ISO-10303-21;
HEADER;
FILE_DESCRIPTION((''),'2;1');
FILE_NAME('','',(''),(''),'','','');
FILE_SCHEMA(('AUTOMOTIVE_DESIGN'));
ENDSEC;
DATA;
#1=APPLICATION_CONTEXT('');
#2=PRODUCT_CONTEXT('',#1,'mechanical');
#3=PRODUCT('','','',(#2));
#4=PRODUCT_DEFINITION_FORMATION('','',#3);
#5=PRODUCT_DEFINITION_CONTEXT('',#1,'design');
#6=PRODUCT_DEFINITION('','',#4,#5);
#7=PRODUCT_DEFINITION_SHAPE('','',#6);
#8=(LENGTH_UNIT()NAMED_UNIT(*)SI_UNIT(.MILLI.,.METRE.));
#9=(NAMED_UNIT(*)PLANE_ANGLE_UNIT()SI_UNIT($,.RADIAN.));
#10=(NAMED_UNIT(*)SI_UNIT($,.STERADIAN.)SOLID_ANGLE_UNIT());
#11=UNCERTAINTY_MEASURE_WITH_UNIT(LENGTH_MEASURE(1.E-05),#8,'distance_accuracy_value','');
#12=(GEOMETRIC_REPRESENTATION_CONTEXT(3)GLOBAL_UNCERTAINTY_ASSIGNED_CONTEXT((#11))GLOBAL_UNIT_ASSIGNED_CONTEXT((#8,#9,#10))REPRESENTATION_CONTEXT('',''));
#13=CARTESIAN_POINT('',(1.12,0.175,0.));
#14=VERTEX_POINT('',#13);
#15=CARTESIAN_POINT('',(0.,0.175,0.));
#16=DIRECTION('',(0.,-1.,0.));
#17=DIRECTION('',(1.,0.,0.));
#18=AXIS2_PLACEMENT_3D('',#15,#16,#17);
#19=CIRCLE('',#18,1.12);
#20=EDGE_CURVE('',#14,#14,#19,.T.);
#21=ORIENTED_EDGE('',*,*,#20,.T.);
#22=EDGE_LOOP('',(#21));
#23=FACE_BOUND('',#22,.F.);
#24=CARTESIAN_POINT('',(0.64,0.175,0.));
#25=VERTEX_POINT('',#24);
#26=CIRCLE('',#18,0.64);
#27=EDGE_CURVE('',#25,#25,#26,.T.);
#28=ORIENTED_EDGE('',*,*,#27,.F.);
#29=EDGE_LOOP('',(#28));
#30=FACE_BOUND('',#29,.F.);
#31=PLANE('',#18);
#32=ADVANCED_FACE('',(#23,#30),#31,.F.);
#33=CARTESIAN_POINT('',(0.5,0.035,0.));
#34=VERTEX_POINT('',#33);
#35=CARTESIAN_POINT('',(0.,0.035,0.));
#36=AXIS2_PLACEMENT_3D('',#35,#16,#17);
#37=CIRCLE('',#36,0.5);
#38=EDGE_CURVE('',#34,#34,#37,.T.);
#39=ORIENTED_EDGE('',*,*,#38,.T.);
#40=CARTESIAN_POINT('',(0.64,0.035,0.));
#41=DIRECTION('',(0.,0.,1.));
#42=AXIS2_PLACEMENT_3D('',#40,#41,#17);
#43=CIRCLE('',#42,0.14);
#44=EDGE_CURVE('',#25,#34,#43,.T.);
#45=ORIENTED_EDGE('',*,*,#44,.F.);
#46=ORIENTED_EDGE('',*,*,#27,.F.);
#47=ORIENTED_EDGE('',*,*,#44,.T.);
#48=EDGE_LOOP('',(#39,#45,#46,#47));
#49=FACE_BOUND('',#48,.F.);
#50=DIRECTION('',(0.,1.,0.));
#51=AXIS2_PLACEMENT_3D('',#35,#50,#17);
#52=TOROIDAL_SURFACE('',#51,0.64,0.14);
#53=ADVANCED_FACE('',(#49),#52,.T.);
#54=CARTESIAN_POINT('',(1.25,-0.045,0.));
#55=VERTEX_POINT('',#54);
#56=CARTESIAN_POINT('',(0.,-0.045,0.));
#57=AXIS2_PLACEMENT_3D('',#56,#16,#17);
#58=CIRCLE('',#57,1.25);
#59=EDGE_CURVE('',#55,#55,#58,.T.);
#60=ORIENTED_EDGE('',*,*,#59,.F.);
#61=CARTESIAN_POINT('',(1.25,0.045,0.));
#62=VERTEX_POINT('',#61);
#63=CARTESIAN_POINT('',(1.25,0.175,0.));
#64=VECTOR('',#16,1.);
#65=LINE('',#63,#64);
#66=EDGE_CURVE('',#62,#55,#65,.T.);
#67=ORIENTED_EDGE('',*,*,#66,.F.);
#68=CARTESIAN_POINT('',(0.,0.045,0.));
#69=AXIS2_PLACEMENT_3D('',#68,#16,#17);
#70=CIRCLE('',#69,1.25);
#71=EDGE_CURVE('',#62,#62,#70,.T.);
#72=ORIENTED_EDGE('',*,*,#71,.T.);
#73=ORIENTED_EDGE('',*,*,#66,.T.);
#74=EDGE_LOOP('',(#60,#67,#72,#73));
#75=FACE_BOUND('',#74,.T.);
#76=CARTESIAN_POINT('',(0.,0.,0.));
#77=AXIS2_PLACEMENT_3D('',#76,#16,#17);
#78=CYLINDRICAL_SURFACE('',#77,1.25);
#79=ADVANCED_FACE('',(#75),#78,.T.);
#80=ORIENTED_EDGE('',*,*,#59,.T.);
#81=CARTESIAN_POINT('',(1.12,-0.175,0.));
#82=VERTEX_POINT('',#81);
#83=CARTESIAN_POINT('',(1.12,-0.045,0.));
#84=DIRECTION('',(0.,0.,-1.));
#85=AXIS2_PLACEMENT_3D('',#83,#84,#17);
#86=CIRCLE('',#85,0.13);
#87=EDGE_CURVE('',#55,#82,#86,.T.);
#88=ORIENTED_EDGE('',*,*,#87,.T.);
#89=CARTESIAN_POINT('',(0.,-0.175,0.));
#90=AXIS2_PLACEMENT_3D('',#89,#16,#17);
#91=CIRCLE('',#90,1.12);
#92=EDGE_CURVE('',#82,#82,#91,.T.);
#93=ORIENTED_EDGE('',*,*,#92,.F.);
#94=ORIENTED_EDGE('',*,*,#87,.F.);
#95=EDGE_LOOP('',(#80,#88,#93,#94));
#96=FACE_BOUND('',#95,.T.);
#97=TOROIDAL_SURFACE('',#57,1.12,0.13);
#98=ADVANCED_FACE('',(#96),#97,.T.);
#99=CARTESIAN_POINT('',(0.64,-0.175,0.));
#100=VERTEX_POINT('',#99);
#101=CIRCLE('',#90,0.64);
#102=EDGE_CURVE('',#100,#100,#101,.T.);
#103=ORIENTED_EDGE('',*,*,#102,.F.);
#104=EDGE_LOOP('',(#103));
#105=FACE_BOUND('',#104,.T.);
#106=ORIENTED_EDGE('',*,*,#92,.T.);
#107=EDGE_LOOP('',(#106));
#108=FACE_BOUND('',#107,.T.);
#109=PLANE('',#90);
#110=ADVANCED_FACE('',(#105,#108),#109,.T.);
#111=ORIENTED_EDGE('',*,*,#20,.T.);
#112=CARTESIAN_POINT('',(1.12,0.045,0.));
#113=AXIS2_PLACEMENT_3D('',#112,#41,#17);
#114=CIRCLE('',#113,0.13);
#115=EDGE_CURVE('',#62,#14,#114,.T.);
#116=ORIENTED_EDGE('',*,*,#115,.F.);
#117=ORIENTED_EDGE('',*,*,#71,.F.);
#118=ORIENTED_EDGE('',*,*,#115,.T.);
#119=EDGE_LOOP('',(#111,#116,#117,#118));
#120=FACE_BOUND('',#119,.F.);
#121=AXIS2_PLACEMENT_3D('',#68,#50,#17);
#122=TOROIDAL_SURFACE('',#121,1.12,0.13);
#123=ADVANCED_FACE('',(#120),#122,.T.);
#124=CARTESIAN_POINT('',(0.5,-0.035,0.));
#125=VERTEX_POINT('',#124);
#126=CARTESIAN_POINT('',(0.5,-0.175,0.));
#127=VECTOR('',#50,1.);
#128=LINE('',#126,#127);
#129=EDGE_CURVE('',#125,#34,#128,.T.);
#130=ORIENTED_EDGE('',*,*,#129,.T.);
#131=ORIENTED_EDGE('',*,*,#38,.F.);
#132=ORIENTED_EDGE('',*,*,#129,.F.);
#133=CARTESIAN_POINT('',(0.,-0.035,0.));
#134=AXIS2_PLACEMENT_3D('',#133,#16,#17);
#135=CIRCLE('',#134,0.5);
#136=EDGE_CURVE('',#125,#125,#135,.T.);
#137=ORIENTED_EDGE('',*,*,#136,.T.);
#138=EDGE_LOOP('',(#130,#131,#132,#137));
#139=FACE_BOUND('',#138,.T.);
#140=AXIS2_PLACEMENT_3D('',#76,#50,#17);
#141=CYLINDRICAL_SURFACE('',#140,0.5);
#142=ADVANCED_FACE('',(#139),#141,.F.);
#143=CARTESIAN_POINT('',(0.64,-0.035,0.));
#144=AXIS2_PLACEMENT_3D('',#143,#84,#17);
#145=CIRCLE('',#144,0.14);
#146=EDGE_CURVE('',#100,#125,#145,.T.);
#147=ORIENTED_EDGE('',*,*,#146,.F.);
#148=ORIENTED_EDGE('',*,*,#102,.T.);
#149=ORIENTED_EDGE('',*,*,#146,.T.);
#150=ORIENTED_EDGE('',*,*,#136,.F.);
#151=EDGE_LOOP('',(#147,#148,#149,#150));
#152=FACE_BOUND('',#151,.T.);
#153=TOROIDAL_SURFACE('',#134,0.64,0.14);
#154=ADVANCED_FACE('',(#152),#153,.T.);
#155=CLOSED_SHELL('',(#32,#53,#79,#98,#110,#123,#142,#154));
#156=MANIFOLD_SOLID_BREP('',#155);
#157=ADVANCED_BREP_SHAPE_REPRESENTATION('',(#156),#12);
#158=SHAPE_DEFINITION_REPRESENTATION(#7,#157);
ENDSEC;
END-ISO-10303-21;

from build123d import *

# Parameters (mm, degrees)
F0_R     = 1.25
F0_R_2   = 0.5
F1_DEPTH = 0.175
F2_R     = 0.13
F3_R     = 0.14


with BuildPart() as f1:
    # F0 (on Front) → F1 (new body, symmetric)
    with BuildSketch(Plane.XZ):
        Circle(F0_R)
        Circle(F0_R_2, mode=Mode.SUBTRACT)
    extrude(amount=F1_DEPTH, both=True)

    # F2
    f2_edges = [f1.edges().sort_by_distance(p)[0] for p in [
        (-1.25, -0.175, 0),
        (-1.25, 0.175, 0),
    ]]
    fillet(f2_edges, radius=F2_R)

    # F3
    f3_edges = [f1.edges().sort_by_distance(p)[0] for p in [
        (-0.5, -0.175, 0),
        (-0.5, 0.175, 0),
    ]]
    fillet(f3_edges, radius=F3_R)


solid = f1.part
